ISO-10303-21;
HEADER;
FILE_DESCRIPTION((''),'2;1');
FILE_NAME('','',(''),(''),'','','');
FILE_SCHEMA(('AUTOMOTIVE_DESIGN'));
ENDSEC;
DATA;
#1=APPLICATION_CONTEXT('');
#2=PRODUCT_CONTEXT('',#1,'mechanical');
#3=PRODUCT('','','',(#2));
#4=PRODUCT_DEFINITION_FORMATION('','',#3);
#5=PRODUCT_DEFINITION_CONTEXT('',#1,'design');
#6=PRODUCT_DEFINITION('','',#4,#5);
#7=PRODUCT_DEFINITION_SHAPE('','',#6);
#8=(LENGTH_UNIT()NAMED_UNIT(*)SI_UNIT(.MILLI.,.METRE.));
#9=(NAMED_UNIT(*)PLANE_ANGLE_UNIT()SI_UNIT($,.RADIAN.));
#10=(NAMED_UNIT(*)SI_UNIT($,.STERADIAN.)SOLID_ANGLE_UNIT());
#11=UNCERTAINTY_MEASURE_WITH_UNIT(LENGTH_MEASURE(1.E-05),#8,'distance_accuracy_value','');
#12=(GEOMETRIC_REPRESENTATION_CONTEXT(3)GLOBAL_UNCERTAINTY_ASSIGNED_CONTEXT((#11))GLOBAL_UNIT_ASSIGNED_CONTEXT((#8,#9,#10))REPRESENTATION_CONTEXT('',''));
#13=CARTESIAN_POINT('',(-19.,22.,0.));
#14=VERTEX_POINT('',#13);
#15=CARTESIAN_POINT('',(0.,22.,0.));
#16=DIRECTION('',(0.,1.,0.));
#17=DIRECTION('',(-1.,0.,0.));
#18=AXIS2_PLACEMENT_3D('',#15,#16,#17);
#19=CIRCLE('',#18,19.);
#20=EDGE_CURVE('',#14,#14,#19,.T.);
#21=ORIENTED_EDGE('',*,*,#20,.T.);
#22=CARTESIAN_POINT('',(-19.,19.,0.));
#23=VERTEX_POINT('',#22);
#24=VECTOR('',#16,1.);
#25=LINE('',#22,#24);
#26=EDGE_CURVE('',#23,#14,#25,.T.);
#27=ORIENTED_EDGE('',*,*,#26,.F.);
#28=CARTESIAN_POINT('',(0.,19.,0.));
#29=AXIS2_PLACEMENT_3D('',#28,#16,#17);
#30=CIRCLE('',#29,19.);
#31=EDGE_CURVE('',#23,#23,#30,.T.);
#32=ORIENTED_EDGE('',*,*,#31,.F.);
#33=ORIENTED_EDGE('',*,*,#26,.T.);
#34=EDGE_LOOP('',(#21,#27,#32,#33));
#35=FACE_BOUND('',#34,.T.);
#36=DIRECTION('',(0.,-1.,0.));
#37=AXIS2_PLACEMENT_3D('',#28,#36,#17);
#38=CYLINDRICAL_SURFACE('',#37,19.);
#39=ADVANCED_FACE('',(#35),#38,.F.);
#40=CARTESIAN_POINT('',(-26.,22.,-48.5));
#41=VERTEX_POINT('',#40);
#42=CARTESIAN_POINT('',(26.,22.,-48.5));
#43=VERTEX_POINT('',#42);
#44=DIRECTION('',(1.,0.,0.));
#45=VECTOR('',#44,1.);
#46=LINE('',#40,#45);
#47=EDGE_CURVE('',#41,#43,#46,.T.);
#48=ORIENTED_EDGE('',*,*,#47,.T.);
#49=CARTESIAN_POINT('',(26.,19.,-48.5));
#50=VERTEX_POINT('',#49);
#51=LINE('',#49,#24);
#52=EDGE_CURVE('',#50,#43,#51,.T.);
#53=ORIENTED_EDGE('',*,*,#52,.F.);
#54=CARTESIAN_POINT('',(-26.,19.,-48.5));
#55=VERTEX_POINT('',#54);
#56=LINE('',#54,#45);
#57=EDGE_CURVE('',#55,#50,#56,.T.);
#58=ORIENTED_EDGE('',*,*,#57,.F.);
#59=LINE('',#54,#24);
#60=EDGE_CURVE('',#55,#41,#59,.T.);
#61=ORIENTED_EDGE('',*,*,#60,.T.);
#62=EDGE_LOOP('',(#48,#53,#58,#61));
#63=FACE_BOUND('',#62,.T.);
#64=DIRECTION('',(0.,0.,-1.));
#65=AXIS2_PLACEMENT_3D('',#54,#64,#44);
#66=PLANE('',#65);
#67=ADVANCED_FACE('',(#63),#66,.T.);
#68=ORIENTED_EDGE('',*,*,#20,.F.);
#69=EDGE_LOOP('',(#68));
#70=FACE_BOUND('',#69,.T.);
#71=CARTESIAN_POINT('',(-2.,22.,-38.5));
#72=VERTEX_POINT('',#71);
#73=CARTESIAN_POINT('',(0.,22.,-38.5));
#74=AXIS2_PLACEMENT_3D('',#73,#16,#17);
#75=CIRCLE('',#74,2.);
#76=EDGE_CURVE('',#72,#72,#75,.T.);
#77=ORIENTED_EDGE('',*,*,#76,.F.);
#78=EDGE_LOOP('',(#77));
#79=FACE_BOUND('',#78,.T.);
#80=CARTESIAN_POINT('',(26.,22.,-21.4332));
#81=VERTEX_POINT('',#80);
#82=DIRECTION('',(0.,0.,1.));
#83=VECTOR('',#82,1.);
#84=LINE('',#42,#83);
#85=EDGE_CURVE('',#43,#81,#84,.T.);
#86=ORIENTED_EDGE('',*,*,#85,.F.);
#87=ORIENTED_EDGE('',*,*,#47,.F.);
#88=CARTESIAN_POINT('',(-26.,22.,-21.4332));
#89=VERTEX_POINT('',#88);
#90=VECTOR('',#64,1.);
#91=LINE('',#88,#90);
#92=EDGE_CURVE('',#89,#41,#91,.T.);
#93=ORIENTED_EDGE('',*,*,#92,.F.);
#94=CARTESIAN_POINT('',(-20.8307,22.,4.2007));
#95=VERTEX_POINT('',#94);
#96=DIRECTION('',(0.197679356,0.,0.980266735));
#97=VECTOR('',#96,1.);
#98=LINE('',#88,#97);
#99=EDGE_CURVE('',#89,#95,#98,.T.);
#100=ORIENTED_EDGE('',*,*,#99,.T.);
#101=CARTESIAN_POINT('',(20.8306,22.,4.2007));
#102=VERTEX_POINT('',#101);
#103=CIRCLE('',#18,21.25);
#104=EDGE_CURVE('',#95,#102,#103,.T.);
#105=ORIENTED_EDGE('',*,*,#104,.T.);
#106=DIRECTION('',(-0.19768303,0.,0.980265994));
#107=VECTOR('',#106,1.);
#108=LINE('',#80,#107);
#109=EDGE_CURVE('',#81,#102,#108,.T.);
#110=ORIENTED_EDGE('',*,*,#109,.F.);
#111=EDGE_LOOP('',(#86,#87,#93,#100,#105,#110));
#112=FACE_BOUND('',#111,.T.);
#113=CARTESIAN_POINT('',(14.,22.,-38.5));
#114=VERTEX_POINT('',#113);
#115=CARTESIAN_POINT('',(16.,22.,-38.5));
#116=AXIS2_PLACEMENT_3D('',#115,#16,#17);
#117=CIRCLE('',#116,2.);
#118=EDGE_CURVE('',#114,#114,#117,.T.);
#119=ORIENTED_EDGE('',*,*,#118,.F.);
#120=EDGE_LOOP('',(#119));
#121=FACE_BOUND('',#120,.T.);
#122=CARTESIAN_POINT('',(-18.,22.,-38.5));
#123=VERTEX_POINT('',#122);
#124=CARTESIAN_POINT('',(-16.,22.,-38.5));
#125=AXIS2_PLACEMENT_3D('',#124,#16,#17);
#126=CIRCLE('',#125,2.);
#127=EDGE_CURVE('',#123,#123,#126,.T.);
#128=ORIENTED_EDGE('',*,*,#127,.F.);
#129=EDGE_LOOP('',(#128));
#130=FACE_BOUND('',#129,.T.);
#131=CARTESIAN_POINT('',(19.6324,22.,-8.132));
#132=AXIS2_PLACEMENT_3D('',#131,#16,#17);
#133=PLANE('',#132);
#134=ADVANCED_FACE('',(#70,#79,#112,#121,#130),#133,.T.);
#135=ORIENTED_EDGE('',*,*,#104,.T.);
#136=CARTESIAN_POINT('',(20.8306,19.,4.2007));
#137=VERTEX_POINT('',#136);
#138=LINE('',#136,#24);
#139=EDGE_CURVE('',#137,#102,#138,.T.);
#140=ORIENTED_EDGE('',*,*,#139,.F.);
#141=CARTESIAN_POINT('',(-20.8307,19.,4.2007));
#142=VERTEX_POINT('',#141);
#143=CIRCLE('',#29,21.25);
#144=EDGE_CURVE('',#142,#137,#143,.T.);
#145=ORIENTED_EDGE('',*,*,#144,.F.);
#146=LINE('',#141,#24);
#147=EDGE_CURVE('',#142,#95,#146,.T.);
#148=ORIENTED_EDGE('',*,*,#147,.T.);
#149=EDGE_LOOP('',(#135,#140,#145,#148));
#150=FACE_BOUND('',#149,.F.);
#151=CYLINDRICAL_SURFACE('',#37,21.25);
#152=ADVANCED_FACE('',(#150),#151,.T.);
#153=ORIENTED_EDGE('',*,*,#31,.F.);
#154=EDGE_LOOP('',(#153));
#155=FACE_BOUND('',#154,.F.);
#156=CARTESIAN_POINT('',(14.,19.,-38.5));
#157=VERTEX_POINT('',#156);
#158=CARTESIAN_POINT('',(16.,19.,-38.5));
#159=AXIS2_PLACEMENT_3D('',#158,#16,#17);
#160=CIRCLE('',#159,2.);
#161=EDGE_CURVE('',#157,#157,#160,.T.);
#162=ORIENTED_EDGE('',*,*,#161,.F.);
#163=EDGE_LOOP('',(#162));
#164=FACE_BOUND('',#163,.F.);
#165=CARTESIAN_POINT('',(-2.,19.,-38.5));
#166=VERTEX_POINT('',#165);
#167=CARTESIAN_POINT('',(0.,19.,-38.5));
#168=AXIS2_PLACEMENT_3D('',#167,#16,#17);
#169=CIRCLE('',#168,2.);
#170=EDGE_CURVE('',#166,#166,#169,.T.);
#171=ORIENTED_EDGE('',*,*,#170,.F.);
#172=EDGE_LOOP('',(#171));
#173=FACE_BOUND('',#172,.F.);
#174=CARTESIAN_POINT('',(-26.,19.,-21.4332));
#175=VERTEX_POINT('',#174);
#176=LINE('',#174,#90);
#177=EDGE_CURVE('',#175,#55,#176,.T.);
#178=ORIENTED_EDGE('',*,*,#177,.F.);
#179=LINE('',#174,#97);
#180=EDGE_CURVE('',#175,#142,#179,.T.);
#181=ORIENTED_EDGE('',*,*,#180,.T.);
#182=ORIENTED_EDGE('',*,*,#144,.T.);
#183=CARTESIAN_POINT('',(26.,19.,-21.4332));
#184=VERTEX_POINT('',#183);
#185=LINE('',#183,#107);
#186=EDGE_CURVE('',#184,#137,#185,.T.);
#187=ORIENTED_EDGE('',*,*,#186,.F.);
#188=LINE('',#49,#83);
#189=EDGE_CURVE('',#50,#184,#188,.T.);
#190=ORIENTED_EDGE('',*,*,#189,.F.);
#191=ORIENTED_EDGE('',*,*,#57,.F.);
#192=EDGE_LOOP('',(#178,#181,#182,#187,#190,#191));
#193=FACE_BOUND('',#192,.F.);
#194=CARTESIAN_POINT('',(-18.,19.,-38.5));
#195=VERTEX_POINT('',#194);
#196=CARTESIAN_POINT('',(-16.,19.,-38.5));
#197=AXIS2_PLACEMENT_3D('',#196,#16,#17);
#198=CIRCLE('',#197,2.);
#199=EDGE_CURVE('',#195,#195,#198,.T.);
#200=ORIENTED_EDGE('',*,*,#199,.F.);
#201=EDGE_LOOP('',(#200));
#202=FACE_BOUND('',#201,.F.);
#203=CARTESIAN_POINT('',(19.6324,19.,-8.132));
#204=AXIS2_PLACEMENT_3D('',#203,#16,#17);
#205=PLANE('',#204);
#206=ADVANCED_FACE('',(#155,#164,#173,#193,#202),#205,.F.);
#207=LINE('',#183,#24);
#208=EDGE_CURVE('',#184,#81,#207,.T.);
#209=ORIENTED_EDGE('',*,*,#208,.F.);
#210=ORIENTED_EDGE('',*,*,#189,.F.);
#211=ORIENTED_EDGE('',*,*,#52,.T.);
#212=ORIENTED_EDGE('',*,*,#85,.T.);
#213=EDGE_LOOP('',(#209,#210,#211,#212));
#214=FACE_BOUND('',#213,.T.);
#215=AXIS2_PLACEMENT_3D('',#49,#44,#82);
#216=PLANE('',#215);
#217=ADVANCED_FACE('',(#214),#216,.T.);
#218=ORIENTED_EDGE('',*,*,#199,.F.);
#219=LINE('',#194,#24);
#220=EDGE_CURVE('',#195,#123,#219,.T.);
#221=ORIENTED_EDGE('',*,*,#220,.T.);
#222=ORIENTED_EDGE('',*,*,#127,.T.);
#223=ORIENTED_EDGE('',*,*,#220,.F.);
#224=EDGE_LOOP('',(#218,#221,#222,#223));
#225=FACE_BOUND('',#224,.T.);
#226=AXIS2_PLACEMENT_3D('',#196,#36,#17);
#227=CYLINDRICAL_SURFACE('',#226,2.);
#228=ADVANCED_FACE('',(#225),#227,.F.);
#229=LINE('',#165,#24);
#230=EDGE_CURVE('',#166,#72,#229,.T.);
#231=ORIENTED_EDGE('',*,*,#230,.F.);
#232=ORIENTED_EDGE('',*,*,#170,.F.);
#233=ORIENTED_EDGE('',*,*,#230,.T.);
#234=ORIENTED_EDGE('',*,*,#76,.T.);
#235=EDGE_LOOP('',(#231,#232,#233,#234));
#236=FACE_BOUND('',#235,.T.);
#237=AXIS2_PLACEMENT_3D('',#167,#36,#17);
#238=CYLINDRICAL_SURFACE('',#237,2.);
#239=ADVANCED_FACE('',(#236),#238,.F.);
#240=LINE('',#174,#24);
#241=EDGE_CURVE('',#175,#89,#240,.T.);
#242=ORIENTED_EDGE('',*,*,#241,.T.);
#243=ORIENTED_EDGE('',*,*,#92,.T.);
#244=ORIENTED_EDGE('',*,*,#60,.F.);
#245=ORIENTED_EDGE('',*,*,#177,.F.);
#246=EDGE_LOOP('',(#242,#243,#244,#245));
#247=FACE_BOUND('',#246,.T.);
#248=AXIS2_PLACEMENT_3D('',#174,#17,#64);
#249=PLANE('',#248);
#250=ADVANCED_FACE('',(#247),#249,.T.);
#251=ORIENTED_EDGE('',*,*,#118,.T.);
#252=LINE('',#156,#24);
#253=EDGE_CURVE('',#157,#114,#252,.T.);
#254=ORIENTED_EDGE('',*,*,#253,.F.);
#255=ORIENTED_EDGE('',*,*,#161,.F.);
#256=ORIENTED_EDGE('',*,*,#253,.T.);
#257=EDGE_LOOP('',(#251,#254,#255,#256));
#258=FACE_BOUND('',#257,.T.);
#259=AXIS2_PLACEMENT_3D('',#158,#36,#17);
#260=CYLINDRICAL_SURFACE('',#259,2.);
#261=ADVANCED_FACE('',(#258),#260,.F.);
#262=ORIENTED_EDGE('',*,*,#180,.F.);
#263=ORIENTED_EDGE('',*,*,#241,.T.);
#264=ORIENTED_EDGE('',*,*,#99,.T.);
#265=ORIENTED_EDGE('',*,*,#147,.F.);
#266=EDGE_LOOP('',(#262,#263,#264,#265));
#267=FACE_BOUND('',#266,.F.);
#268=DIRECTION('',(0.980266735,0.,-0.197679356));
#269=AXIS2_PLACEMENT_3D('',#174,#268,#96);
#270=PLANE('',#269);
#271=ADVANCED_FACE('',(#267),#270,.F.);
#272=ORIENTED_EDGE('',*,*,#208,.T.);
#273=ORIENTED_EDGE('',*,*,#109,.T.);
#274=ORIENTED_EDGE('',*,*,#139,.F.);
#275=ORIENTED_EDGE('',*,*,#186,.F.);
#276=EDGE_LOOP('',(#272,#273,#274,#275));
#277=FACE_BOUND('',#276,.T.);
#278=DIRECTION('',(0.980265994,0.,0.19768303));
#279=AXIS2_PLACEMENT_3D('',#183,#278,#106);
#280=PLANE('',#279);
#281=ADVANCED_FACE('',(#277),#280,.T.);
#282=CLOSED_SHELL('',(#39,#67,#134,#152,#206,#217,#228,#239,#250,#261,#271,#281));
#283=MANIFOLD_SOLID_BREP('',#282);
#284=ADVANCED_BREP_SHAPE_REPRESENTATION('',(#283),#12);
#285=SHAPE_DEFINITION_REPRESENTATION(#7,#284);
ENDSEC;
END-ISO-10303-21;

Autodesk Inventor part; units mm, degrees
ref_plane "YZ Plane" through (0, 0, 0) normal (1, 0, 0) x (0, 1, 0)
ref_plane "XZ Plane" through (0, 0, 0) normal (0, 1, 0) x (-1, 0, 0)
ref_plane "XY Plane" through (0, 0, 0) normal (0, 0, 1) x (1, 0, 0)
sketch "Эскиз1" plane through (19.6324, 19, -8.132) normal (0, 1, 0) x (-1, 0, 0)
  circle A0 centre (19.6324, -30.368) radius 2
  line L0 (-6.3676, -13.3012) -> (45.6324, -13.3012)
  line L1 (45.6324, -13.3012) -> (45.6324, -40.368)
  line L2 (45.6324, -40.368) -> (-6.3676, -40.368)
  line L3 (-6.3676, -40.368) -> (-6.3676, -13.3012)
  circle A1 centre (35.6324, -30.368) radius 2
  circle A2 centre (3.6324, -30.368) radius 2
  circle A3 centre (19.6324, 8.132) radius 21.25
  line L4 (-6.3676, -13.3012) -> (-1.1982, 12.3327)
  line L5 (45.6324, -13.3012) -> (40.4631, 12.3327)
  circle A4 centre (19.6324, 8.132) radius 19
  point P0 (19.6324, -13.3012)
  dimension "d0" = 4
  dimension "d1" = 38.5
  dimension "d2" = 4
  dimension "d3" = 16
  dimension "d4" = 4
  dimension "d5" = 16
  dimension "d6" = 10
  dimension "d7" = 10
  dimension "d8" = 10
  dimension "d9" = 0
  dimension "d10" = 42.5
  dimension "d11" = 38
extrude "Выдавливание1" add sketch "Эскиз1" along normal blind 3
sketch "Эскиз2" plane through (20.8701, -13, -4) normal (0, 0, 1) x (1, 0, 0)
  line L0 (-44.8118, 9.5085) -> (8.0594, 9.5085)
  line L1 (8.0594, 9.5085) -> (8.0594, -14.2907)
  line L2 (8.0594, -14.2907) -> (-44.8118, -14.2907)
  line L3 (-44.8118, -14.2907) -> (-44.8118, 9.5085)
  point P0 (-20.8701, 13)
extrude "Выдавливание2" cut sketch "Эскиз2" along normal blind 30
sketch "Эскиз3" plane through (19.6324, 19, -8.132) normal (0, -1, 0) x (1, 0, 0)
  circle A0 centre (-19.6324, 8.132) radius 21.25
  dimension "d16" = 42.5
properties part number "Заднее крпление"
